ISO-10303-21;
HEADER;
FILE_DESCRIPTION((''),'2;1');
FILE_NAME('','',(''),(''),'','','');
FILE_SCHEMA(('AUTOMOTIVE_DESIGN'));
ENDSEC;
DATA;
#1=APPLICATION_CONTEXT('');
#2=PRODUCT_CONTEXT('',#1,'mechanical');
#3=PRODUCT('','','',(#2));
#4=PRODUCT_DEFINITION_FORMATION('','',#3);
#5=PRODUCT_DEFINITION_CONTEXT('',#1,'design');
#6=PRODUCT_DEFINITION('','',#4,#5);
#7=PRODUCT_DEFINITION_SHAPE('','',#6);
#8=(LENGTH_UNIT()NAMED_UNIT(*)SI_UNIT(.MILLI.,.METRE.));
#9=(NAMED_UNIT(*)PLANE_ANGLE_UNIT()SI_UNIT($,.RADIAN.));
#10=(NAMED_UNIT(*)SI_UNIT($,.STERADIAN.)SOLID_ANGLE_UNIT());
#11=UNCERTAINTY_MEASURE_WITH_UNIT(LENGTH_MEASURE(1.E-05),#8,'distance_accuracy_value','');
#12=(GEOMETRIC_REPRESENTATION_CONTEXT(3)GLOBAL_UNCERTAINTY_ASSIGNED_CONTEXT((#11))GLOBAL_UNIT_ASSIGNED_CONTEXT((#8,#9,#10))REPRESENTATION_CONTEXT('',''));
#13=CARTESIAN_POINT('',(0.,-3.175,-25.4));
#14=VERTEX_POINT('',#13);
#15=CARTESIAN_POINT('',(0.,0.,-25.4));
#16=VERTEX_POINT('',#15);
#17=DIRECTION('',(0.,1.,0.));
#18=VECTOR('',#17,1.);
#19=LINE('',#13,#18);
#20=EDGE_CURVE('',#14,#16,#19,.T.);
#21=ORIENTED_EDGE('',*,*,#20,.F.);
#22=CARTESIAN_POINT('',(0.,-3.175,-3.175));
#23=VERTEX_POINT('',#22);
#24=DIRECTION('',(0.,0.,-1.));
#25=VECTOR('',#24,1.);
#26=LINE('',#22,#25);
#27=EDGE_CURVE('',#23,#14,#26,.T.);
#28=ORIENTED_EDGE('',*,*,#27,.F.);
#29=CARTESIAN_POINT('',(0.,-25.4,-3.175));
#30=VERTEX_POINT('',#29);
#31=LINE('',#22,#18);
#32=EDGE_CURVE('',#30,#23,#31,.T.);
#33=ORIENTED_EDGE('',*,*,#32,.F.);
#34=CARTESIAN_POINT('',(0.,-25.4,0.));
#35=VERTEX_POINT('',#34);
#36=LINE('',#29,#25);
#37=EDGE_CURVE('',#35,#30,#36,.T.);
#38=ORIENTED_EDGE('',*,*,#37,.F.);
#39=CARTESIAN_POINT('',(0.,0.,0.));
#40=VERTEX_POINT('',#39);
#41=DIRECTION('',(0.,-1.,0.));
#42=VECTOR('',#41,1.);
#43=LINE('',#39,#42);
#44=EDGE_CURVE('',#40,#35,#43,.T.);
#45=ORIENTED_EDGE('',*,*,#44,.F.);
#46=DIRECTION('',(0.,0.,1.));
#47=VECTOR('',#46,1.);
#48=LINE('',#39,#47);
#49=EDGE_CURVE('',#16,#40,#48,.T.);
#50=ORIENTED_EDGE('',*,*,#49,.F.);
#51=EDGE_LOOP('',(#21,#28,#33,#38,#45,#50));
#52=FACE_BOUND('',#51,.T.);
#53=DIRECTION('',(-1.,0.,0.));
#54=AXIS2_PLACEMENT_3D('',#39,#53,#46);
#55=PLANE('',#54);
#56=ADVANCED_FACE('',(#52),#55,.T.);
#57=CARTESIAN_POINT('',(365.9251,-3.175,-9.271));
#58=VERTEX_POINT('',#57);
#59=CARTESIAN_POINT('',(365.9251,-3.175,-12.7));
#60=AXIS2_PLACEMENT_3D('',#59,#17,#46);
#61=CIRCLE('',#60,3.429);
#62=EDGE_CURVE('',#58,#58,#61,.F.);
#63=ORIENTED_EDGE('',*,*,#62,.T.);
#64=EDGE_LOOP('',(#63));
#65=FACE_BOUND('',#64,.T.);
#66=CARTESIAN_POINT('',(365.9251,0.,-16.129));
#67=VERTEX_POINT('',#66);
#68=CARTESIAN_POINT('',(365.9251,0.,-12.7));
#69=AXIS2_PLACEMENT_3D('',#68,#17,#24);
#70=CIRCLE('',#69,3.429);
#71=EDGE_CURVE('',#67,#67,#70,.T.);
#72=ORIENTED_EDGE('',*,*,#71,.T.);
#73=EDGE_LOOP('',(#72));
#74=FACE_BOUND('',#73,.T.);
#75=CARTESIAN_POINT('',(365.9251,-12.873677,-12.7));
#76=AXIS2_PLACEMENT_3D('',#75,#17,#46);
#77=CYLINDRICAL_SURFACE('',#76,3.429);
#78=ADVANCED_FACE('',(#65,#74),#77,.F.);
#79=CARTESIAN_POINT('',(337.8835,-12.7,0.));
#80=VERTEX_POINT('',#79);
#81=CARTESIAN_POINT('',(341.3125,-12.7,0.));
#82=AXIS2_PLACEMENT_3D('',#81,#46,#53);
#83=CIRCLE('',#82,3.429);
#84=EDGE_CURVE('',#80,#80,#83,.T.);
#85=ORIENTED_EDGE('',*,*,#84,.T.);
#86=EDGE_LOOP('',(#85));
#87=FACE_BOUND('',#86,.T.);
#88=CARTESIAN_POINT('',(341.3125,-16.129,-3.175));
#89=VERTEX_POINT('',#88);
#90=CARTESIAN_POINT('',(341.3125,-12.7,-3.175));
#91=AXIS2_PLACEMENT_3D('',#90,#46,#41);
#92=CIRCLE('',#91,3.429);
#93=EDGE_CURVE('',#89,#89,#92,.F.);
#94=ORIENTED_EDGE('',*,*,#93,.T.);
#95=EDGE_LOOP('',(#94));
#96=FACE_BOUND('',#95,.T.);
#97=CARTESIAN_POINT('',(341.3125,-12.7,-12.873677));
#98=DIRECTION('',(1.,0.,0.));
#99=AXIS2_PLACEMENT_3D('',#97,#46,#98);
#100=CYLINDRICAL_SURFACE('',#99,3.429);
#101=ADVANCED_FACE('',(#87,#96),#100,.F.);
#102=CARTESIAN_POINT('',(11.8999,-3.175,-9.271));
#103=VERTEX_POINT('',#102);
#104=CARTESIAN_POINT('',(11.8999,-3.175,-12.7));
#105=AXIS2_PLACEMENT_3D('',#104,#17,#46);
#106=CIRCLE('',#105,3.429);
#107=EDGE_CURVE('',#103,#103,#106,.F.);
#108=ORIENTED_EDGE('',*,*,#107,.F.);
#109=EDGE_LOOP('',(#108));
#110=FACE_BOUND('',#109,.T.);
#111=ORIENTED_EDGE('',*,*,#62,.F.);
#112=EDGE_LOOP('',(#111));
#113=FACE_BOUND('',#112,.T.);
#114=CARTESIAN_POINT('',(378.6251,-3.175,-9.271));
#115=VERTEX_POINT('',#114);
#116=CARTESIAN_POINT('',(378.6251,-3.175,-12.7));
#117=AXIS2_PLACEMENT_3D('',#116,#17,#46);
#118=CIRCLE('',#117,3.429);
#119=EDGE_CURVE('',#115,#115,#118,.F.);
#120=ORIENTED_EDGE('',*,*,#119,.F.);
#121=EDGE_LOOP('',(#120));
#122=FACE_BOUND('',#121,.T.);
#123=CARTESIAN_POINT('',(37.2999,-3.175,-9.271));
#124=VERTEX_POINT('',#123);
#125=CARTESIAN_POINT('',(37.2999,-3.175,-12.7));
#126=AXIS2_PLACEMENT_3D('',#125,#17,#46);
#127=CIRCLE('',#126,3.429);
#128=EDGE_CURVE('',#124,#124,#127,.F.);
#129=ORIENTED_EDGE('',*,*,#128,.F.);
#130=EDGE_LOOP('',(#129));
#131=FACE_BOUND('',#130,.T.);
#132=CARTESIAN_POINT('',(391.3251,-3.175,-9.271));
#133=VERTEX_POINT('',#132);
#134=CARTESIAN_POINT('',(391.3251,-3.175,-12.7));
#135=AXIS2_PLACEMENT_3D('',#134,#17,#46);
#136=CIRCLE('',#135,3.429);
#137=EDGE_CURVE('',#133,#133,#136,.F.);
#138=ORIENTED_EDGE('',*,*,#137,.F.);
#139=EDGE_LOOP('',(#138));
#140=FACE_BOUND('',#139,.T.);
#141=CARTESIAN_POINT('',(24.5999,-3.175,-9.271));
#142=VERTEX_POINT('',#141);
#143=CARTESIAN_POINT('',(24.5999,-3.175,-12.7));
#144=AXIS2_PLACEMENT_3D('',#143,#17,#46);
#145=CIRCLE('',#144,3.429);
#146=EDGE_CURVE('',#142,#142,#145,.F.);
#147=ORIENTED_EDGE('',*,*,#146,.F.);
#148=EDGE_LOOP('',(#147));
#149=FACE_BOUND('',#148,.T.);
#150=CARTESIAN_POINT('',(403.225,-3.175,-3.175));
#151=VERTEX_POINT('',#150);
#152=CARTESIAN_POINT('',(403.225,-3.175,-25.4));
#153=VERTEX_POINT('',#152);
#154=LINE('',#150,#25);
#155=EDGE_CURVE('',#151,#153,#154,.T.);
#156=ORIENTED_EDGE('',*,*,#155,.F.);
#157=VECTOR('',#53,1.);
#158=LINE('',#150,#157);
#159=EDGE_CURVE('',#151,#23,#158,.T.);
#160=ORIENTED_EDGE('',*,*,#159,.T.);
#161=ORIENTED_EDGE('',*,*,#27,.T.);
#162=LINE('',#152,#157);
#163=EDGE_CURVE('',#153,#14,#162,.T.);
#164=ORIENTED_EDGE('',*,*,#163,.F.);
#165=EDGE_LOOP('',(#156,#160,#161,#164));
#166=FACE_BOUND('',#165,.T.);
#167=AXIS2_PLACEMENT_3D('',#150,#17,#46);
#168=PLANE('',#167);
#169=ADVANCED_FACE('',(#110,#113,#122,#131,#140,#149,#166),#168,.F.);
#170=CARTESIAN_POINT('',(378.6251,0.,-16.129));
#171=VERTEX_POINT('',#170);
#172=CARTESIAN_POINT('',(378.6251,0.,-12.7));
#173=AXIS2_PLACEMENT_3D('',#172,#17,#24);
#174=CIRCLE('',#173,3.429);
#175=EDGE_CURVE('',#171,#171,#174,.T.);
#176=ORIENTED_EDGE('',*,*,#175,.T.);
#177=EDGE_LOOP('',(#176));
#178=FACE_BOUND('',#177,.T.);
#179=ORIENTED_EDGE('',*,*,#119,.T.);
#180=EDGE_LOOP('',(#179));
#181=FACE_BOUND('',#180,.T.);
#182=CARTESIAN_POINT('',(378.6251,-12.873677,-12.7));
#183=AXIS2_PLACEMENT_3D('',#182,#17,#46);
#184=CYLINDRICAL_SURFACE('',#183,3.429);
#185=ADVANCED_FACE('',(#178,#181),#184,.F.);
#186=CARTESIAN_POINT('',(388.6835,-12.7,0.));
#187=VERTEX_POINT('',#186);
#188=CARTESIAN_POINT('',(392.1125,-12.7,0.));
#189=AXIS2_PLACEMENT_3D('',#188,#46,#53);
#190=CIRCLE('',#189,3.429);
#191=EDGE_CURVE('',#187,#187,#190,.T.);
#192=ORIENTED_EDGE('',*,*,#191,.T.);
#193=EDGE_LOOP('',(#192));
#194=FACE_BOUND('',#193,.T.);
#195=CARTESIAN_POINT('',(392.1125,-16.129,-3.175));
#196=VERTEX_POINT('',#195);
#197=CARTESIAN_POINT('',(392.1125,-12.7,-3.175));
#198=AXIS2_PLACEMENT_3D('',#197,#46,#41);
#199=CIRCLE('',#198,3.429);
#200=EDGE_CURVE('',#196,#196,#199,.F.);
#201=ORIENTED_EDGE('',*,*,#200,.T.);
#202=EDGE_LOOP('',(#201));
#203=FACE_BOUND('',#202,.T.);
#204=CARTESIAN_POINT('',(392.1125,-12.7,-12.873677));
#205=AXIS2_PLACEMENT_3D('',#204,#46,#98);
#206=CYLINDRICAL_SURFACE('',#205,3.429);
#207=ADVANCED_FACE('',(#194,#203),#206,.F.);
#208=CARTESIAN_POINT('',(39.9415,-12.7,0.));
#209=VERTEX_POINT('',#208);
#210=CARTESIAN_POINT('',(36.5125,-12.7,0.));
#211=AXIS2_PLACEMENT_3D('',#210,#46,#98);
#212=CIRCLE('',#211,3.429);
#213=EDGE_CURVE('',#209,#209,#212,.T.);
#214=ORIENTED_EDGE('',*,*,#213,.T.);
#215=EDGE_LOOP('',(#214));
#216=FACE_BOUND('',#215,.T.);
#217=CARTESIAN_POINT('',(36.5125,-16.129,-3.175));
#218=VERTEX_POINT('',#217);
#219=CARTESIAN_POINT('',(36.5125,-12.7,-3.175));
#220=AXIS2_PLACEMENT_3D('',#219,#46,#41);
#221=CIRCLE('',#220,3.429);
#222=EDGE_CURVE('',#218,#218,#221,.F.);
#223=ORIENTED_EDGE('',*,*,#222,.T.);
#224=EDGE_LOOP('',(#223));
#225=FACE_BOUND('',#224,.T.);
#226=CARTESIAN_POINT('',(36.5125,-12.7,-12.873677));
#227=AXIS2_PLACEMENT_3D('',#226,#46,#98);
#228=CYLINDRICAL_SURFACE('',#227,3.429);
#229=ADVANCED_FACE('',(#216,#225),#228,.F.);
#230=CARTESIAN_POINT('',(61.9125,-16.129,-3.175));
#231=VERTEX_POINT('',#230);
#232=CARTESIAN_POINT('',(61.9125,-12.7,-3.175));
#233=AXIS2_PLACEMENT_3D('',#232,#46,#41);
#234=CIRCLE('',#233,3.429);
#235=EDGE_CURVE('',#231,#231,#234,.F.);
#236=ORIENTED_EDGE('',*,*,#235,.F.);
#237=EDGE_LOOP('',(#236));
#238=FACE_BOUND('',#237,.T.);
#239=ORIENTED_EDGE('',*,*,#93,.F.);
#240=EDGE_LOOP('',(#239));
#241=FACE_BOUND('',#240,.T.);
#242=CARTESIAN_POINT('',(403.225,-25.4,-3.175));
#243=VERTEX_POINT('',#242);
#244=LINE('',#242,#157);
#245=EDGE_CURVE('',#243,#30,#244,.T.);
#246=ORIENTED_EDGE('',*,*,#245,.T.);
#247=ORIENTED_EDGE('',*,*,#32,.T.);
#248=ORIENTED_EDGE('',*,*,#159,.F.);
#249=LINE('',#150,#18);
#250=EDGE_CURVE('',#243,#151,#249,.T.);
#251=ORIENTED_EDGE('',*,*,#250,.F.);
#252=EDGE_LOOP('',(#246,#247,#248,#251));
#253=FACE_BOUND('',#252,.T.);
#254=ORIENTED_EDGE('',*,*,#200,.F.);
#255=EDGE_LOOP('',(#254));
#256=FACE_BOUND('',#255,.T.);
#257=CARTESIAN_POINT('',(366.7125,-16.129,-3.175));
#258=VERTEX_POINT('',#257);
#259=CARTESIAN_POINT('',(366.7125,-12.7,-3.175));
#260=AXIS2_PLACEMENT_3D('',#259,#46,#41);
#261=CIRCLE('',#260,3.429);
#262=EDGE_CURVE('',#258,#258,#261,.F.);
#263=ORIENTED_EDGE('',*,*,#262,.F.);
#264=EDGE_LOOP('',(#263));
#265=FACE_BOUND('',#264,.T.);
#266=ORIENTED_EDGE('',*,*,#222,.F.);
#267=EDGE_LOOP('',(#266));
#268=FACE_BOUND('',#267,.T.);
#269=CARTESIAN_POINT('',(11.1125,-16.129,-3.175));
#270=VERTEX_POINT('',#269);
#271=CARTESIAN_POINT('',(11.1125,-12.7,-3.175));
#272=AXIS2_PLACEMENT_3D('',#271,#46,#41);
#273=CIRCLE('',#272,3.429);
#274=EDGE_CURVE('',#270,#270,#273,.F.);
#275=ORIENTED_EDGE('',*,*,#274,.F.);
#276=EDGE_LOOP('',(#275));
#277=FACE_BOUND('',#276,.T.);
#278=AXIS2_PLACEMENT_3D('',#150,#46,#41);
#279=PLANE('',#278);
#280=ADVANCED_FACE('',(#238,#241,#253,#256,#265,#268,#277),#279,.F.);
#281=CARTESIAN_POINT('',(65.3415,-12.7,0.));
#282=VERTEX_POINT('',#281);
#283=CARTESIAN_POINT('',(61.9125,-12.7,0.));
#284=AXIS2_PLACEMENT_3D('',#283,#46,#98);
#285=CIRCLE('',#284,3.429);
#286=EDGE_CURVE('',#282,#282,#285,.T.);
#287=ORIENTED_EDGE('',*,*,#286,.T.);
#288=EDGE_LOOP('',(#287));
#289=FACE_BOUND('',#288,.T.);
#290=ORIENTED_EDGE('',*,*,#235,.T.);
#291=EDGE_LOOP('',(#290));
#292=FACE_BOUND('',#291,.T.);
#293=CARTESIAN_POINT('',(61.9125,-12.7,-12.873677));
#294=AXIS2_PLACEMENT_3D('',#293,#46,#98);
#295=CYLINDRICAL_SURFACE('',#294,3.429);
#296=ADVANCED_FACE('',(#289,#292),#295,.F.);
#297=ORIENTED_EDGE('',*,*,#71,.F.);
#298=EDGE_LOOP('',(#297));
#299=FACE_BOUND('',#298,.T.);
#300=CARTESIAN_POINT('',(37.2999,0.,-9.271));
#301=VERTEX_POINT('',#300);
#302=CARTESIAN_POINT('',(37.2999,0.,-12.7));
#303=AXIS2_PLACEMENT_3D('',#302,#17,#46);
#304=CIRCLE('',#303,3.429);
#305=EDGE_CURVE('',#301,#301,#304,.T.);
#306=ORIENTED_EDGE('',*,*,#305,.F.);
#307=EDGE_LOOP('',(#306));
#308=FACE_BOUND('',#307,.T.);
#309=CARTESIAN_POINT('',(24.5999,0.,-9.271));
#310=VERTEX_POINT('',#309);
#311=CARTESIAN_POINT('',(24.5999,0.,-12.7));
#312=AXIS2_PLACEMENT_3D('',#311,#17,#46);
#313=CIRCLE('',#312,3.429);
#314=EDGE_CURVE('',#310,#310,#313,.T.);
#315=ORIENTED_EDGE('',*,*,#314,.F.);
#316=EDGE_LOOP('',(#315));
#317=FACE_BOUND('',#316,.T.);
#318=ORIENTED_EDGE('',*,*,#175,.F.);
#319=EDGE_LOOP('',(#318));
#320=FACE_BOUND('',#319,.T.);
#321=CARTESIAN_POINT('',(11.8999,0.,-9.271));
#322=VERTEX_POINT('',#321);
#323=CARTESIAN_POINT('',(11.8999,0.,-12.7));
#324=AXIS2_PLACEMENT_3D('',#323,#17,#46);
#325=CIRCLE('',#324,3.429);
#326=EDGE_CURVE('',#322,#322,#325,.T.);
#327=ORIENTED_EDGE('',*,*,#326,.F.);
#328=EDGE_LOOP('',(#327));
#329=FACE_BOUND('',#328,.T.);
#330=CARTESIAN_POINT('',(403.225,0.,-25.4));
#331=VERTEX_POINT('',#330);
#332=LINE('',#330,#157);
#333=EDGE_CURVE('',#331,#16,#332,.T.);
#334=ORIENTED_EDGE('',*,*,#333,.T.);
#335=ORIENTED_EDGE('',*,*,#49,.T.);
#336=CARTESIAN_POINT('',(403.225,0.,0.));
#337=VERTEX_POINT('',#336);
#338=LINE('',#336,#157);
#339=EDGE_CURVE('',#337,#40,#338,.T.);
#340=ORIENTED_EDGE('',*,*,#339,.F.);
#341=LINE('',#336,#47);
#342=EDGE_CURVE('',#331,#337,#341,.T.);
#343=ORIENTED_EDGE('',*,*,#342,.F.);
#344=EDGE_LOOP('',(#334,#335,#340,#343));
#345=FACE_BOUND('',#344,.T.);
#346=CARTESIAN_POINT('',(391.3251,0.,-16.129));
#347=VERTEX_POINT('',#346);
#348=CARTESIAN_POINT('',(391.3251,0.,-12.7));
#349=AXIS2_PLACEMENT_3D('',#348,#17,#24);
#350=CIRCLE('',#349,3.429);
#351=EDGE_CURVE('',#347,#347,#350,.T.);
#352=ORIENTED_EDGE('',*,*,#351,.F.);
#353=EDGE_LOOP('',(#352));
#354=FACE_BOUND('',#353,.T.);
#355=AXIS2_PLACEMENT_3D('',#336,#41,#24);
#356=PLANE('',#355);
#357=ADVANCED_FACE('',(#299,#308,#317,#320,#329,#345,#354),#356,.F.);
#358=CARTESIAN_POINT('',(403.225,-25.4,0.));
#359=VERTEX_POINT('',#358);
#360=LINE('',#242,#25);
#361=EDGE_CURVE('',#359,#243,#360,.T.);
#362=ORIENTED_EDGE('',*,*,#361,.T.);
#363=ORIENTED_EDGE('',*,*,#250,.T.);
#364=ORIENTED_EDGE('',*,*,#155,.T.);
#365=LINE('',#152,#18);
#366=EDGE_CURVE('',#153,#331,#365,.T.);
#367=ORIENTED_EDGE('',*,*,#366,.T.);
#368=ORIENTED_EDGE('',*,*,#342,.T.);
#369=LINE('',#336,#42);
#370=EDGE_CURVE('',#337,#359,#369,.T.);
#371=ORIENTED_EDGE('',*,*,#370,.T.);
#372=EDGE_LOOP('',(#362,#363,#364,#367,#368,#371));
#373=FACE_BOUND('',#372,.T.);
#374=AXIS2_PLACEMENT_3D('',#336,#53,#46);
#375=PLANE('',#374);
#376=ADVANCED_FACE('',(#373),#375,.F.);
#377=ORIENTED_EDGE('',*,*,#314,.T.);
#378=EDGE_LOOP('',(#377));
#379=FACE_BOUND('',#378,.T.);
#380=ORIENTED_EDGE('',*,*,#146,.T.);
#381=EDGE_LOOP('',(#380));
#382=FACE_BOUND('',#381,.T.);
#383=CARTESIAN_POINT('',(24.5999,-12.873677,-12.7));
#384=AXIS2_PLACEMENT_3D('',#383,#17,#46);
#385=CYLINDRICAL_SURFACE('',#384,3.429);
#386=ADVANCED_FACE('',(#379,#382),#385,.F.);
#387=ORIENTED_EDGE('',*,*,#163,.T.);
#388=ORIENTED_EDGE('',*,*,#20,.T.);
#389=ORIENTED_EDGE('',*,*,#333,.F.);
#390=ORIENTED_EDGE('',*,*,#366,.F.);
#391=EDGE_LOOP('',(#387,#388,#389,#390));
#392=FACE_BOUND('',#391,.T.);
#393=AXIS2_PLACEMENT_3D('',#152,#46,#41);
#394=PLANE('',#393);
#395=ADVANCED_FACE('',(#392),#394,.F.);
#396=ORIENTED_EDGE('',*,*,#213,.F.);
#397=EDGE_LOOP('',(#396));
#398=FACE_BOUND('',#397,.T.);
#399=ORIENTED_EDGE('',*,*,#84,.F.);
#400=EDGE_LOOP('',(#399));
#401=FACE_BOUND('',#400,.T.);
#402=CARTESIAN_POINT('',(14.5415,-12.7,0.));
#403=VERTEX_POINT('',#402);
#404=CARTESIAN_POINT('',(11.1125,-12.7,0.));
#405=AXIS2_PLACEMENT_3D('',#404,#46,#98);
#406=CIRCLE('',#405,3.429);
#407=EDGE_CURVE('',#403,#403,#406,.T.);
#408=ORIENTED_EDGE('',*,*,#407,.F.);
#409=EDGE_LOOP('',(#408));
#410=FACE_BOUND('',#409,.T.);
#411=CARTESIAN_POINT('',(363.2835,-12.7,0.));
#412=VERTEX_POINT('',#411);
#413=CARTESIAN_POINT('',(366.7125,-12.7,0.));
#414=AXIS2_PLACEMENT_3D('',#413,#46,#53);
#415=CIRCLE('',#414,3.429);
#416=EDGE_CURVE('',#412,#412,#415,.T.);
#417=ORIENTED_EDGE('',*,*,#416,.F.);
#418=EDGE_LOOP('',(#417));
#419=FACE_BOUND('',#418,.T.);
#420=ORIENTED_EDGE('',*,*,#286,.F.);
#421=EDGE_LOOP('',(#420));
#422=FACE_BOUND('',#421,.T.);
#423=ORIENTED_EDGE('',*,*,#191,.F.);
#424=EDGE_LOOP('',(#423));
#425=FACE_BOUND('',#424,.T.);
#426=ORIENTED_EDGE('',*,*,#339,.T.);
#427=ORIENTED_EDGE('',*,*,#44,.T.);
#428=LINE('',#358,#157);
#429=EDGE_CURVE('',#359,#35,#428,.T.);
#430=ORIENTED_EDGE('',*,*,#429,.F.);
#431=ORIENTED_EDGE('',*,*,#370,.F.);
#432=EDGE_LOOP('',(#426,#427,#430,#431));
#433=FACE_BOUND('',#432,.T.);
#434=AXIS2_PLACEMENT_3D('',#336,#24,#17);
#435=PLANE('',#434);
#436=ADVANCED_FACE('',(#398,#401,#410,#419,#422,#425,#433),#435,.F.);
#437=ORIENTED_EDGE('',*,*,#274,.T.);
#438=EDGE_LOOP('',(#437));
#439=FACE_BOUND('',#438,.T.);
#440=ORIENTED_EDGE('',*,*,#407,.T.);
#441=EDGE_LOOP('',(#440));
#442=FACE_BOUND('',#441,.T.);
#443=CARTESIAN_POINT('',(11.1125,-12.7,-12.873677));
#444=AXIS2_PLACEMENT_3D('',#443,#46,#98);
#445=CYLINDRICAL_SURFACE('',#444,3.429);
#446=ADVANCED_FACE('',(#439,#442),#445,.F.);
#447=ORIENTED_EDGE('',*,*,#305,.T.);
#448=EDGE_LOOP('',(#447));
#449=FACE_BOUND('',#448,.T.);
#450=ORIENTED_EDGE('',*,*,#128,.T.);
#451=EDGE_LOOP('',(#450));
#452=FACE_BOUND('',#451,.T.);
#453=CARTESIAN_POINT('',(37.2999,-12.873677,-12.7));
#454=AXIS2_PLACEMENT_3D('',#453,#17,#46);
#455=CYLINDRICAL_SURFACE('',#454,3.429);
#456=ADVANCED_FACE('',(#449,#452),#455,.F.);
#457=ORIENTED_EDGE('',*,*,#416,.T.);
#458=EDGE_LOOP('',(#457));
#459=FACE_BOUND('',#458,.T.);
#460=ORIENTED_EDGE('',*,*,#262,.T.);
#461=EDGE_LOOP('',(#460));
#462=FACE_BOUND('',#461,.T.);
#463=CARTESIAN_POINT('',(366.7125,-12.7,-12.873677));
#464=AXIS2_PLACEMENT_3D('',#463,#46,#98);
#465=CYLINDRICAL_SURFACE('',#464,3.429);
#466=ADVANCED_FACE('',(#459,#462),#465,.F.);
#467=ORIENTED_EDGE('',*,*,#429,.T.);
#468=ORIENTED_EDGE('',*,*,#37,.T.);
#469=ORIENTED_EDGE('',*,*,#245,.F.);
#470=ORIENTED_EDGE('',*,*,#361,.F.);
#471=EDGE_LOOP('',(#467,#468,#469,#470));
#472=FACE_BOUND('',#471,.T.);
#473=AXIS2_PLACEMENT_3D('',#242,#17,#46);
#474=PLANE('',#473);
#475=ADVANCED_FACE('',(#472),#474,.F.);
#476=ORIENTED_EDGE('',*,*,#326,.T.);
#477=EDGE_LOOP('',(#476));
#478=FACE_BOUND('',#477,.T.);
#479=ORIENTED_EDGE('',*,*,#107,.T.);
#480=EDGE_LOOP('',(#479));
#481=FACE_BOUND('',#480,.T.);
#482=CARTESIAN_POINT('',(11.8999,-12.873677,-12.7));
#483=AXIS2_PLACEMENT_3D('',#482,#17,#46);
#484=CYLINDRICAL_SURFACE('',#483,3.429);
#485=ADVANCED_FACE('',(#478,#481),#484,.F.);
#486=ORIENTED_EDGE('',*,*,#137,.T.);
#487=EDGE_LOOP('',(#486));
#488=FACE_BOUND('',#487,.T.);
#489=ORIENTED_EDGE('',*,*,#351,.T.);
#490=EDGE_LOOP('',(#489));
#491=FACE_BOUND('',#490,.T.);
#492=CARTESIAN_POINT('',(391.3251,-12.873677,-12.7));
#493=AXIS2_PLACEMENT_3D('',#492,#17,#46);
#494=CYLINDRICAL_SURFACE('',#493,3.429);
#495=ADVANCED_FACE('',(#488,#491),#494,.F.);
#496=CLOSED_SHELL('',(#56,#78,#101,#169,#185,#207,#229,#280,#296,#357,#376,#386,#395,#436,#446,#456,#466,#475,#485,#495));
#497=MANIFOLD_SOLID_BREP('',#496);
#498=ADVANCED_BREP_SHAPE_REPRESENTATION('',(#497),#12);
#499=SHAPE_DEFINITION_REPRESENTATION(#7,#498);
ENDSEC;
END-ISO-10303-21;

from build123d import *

# Parameters (mm, degrees)
BOSS_EXTRUDE1_DEPTH = 403.225
SKETCH2_R           = 3.429
CUT_EXTRUDE1_DEPTH  = 3.175
SKETCH3_R           = 3.429
CUT_EXTRUDE2_DEPTH  = 3.175


with BuildPart() as part:
    # Sketch1 → Boss-Extrude1 (new body)
    with BuildSketch(Plane(origin=(0, 0, 0), x_dir=(0, 0, -1), z_dir=(1, 0, 0))):
        Polygon((0, 0), (25.4, 0), (25.4, -3.175), (3.175, -3.175), (3.175, -25.4), (0, -25.4), align=None)
    extrude(amount=BOSS_EXTRUDE1_DEPTH)

    # Sketch2 → Cut-Extrude1 (cut)
    with BuildSketch(Plane.XY):
        with Locations((11.1125, -12.7)):
            Circle(SKETCH2_R)
        with Locations((36.5125, -12.7)):
            Circle(SKETCH2_R)
        with Locations((61.9125, -12.7)):
            Circle(SKETCH2_R)
        with Locations((341.3125, -12.7)):
            Circle(SKETCH2_R)
        with Locations((366.7125, -12.7)):
            Circle(SKETCH2_R)
        with Locations((392.1125, -12.7)):
            Circle(SKETCH2_R)
    extrude(amount=-CUT_EXTRUDE1_DEPTH, mode=Mode.SUBTRACT)

    # Sketch3 → Cut-Extrude2 (cut)
    with BuildSketch(Plane(origin=(0, 0, 0), x_dir=(1, 0, 0), z_dir=(0, 1, 0))):
        with Locations((11.8999, 12.7)):
            Circle(SKETCH3_R)
        with Locations((24.5999, 12.7)):
            Circle(SKETCH3_R)
        with Locations((37.2999, 12.7)):
            Circle(SKETCH3_R)
        with Locations((365.9251, 12.7)):
            Circle(SKETCH3_R)
        with Locations((378.6251, 12.7)):
            Circle(SKETCH3_R)
        with Locations((391.3251, 12.7)):
            Circle(SKETCH3_R)
    extrude(amount=-CUT_EXTRUDE2_DEPTH, mode=Mode.SUBTRACT)


solid = part.part
